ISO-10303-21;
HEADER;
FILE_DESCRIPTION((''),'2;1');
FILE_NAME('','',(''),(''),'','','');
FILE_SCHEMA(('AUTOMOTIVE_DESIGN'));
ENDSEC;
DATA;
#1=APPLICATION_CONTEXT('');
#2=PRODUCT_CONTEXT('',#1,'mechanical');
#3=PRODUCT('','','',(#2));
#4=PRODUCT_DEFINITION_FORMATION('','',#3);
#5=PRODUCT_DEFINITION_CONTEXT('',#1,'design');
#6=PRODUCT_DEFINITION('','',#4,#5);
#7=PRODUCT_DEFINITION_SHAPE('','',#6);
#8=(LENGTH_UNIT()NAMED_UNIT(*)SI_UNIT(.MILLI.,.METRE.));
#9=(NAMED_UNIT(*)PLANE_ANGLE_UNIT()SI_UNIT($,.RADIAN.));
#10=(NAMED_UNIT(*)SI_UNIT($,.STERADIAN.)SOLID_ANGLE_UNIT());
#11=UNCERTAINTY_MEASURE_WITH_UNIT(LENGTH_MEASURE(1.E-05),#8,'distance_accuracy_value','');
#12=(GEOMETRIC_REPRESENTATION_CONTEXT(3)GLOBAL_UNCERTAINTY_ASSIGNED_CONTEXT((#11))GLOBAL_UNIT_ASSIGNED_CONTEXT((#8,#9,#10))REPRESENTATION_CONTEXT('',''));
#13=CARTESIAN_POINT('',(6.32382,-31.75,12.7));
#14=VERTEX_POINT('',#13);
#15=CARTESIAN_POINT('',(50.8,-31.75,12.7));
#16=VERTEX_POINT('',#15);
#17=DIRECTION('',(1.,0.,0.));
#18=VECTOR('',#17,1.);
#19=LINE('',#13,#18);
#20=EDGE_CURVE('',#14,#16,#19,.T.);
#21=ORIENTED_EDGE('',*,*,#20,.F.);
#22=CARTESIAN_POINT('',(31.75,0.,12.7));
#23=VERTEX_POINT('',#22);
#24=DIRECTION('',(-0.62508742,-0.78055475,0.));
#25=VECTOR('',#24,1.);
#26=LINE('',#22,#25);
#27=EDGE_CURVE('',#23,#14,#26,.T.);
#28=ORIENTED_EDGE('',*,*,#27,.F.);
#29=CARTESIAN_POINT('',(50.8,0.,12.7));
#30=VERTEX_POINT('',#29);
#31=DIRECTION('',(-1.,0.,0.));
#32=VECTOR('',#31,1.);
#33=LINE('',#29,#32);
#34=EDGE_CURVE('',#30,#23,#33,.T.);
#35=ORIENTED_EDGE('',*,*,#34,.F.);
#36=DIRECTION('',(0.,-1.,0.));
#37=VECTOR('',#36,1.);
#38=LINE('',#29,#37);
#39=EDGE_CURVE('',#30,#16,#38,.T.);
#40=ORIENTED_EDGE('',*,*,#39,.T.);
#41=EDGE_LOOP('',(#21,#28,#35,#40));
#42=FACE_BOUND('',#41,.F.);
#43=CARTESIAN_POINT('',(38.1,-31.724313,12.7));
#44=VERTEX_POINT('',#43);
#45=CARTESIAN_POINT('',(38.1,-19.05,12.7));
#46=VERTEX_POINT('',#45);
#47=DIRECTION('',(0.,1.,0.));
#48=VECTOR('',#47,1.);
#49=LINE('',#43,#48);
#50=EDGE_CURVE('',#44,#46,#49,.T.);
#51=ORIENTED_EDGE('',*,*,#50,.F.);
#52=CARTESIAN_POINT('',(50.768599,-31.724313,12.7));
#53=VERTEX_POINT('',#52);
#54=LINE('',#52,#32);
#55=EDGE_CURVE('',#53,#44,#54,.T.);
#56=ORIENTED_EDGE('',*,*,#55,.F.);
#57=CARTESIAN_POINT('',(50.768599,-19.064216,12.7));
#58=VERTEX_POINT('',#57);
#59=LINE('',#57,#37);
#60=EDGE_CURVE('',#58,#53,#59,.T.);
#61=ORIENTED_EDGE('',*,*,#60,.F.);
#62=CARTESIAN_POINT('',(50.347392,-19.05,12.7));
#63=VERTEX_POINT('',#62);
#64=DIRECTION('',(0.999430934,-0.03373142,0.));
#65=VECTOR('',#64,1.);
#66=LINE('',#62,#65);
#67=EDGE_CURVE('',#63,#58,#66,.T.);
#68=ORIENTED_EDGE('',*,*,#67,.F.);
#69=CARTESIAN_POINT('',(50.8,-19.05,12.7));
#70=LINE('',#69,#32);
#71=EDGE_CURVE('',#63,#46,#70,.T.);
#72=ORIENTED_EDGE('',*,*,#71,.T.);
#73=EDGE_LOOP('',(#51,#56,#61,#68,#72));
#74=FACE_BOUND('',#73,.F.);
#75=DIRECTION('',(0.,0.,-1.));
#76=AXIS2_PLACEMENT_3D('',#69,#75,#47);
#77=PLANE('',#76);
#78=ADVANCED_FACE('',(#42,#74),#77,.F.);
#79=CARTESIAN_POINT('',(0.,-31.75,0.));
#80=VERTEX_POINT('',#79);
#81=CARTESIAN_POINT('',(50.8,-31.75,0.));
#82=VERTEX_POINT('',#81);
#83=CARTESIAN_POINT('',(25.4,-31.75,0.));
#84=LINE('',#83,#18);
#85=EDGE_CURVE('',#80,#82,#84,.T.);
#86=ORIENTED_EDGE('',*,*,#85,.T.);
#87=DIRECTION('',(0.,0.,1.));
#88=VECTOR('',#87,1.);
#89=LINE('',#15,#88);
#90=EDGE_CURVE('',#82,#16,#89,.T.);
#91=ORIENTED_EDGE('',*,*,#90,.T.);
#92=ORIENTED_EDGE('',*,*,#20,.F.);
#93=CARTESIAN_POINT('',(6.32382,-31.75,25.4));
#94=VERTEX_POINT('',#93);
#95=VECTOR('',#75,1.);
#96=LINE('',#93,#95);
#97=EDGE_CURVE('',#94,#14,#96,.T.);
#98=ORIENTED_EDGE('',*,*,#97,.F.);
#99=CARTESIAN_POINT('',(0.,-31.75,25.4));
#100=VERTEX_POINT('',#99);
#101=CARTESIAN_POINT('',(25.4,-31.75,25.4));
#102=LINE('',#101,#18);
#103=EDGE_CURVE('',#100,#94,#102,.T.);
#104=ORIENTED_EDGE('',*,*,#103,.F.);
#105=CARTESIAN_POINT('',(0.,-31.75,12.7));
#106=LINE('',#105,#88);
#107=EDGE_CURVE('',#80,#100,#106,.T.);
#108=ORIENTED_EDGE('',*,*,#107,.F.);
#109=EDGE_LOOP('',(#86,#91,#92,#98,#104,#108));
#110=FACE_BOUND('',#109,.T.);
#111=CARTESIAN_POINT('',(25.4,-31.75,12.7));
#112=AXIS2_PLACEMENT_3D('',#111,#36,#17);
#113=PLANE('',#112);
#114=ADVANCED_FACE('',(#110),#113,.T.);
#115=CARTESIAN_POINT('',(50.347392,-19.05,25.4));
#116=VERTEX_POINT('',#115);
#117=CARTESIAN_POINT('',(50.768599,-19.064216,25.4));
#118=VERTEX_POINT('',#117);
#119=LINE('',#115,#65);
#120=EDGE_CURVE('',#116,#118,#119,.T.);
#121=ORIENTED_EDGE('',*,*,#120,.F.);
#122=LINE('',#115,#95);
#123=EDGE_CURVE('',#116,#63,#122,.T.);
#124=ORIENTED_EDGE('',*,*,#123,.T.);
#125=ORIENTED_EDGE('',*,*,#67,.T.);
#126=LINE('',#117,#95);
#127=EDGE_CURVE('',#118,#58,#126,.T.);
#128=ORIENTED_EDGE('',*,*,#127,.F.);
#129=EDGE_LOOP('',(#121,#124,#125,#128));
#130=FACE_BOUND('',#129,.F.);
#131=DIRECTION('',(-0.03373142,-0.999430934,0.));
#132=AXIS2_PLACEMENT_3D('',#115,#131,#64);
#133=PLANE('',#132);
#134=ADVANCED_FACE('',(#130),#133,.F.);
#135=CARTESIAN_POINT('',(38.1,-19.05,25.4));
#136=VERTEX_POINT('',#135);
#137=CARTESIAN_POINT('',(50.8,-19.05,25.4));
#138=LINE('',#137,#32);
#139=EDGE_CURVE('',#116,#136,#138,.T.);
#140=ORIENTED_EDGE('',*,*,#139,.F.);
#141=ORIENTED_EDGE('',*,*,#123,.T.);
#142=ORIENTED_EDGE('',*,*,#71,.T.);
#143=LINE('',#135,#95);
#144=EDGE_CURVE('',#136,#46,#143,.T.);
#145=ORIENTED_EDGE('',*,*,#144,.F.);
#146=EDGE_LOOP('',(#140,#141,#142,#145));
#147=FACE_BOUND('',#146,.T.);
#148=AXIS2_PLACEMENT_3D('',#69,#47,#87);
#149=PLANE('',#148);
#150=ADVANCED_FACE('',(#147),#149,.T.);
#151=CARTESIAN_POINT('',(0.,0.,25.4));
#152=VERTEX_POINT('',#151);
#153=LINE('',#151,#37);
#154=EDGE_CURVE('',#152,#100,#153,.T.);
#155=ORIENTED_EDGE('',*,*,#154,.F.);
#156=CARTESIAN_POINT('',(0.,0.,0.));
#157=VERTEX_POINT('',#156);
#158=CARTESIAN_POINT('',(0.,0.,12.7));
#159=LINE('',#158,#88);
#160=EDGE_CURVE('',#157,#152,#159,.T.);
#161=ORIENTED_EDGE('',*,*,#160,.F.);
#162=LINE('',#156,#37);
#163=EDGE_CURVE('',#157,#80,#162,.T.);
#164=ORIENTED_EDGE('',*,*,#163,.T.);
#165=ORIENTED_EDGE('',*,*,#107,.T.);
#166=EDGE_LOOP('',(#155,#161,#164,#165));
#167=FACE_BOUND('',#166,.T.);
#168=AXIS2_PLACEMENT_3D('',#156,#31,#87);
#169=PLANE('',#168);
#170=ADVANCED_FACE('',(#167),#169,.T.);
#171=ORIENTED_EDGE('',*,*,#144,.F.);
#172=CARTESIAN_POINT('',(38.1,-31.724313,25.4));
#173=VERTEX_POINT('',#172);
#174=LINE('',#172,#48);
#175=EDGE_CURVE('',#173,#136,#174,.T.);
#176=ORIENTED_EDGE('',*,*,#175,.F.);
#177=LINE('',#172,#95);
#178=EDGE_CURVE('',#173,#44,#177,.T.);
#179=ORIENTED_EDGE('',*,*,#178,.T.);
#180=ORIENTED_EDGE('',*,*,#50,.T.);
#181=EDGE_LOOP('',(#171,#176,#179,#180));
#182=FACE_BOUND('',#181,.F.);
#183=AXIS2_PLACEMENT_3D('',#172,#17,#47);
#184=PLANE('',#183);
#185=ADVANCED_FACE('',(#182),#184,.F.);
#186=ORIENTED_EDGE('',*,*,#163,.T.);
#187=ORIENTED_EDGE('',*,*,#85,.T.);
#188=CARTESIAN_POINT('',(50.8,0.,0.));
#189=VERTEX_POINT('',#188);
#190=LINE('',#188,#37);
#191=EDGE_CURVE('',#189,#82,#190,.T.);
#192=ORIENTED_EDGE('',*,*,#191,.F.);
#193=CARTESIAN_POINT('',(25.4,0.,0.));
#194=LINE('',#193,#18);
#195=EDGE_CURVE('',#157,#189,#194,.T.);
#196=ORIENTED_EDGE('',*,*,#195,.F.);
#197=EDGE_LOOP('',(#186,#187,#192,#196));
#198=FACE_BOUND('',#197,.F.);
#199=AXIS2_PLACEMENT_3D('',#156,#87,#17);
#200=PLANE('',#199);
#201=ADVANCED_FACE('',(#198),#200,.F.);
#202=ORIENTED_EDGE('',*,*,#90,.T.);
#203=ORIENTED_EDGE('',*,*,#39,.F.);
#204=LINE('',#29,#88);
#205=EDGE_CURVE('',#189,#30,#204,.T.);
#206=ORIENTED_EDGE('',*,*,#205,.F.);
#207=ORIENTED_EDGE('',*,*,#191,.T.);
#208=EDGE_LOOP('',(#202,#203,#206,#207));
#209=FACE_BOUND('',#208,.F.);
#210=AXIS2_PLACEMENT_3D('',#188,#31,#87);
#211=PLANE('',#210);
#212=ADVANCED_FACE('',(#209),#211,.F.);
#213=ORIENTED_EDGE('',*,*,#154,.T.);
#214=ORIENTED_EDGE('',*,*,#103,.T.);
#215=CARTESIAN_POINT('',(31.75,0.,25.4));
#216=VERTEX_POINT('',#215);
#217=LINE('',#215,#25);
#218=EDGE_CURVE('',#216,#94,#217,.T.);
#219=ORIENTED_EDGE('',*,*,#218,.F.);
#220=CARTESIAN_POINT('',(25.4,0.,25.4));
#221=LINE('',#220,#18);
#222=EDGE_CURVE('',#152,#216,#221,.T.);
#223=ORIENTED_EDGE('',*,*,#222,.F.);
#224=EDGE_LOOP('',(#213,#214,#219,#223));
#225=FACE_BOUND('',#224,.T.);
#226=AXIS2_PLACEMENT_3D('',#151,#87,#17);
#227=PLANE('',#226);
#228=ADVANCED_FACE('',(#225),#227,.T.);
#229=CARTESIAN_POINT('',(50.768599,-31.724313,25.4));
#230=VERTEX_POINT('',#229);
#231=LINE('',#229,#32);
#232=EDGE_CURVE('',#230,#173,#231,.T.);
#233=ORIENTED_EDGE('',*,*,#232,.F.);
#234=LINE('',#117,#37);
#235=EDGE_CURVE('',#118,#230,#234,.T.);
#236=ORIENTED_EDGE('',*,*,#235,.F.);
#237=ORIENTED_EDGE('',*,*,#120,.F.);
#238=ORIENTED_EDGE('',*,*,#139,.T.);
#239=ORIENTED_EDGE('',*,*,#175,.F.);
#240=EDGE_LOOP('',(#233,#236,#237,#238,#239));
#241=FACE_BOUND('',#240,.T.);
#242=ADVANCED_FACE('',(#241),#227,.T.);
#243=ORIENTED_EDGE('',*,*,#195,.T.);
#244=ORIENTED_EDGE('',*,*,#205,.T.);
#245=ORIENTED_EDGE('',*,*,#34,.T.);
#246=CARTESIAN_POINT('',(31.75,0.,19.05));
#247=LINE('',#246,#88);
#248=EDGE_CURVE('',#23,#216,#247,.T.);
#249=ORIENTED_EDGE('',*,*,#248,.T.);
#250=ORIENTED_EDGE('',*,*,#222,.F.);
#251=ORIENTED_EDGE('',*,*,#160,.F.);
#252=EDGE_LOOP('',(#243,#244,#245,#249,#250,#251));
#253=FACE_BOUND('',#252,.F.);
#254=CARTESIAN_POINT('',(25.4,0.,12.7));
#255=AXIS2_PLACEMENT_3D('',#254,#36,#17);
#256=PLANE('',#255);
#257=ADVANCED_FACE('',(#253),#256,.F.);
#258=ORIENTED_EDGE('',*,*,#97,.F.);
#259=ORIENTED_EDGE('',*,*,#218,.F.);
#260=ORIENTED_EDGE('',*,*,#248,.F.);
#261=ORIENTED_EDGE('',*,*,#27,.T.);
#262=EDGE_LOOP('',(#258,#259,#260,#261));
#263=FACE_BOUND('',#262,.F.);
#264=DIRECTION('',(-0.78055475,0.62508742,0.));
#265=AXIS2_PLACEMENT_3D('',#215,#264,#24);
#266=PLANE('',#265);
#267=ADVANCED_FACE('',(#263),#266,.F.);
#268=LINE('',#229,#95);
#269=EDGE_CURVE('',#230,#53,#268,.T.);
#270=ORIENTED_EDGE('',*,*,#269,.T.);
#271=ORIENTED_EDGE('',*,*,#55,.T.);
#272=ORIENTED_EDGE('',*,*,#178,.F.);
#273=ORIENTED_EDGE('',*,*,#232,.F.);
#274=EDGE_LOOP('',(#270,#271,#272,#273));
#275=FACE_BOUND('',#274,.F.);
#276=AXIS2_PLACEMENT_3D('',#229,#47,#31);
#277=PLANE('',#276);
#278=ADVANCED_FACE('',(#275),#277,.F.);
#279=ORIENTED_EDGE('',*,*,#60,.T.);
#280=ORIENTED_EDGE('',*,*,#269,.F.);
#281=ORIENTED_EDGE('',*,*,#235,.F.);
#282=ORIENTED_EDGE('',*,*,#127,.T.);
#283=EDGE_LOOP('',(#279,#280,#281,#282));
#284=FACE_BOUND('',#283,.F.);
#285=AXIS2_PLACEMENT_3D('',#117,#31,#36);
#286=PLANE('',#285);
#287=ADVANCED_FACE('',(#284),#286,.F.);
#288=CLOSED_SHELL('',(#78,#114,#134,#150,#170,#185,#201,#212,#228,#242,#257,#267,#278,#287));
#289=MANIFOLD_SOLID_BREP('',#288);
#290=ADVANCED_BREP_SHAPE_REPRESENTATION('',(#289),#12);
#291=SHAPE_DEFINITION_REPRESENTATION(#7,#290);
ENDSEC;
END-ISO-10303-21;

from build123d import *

# Parameters (mm, degrees)
F0_W     = 50.8
F0_H     = 25.4
F1_DEPTH = 31.75
F2_W     = 19.05
F2_H     = 12.7
F3_DEPTH = 19.05
F6_DEPTH = 12.7


with BuildPart() as f1:
    # F0 (on Front) → F1 (new body)
    with BuildSketch(Plane.XZ):
        with Locations((25.4, 12.7)):
            Rectangle(F0_W, F0_H)
    extrude(amount=F1_DEPTH)

    # F2 (on face) → F3 (cut)
    with BuildSketch(Plane.YZ.offset(50.8)):
        with Locations((-9.525, 19.05)):
            Rectangle(F2_W, F2_H)
    extrude(amount=-F3_DEPTH, mode=Mode.SUBTRACT)

    # F5 (on face) → F6 (cut)
    with BuildSketch(Plane.XY.offset(25.4)):
        Polygon((50.768599, -31.724313), (38.1, -31.724313), (38.1, -19.05), (31.75, -19.05), (31.75, 0), (6.32382, -31.75), (50.8, -31.75), (50.8, -19.05), (50.347392, -19.05), (50.768599, -19.064216), align=None)
    extrude(amount=-F6_DEPTH, mode=Mode.SUBTRACT)


solid = f1.part
